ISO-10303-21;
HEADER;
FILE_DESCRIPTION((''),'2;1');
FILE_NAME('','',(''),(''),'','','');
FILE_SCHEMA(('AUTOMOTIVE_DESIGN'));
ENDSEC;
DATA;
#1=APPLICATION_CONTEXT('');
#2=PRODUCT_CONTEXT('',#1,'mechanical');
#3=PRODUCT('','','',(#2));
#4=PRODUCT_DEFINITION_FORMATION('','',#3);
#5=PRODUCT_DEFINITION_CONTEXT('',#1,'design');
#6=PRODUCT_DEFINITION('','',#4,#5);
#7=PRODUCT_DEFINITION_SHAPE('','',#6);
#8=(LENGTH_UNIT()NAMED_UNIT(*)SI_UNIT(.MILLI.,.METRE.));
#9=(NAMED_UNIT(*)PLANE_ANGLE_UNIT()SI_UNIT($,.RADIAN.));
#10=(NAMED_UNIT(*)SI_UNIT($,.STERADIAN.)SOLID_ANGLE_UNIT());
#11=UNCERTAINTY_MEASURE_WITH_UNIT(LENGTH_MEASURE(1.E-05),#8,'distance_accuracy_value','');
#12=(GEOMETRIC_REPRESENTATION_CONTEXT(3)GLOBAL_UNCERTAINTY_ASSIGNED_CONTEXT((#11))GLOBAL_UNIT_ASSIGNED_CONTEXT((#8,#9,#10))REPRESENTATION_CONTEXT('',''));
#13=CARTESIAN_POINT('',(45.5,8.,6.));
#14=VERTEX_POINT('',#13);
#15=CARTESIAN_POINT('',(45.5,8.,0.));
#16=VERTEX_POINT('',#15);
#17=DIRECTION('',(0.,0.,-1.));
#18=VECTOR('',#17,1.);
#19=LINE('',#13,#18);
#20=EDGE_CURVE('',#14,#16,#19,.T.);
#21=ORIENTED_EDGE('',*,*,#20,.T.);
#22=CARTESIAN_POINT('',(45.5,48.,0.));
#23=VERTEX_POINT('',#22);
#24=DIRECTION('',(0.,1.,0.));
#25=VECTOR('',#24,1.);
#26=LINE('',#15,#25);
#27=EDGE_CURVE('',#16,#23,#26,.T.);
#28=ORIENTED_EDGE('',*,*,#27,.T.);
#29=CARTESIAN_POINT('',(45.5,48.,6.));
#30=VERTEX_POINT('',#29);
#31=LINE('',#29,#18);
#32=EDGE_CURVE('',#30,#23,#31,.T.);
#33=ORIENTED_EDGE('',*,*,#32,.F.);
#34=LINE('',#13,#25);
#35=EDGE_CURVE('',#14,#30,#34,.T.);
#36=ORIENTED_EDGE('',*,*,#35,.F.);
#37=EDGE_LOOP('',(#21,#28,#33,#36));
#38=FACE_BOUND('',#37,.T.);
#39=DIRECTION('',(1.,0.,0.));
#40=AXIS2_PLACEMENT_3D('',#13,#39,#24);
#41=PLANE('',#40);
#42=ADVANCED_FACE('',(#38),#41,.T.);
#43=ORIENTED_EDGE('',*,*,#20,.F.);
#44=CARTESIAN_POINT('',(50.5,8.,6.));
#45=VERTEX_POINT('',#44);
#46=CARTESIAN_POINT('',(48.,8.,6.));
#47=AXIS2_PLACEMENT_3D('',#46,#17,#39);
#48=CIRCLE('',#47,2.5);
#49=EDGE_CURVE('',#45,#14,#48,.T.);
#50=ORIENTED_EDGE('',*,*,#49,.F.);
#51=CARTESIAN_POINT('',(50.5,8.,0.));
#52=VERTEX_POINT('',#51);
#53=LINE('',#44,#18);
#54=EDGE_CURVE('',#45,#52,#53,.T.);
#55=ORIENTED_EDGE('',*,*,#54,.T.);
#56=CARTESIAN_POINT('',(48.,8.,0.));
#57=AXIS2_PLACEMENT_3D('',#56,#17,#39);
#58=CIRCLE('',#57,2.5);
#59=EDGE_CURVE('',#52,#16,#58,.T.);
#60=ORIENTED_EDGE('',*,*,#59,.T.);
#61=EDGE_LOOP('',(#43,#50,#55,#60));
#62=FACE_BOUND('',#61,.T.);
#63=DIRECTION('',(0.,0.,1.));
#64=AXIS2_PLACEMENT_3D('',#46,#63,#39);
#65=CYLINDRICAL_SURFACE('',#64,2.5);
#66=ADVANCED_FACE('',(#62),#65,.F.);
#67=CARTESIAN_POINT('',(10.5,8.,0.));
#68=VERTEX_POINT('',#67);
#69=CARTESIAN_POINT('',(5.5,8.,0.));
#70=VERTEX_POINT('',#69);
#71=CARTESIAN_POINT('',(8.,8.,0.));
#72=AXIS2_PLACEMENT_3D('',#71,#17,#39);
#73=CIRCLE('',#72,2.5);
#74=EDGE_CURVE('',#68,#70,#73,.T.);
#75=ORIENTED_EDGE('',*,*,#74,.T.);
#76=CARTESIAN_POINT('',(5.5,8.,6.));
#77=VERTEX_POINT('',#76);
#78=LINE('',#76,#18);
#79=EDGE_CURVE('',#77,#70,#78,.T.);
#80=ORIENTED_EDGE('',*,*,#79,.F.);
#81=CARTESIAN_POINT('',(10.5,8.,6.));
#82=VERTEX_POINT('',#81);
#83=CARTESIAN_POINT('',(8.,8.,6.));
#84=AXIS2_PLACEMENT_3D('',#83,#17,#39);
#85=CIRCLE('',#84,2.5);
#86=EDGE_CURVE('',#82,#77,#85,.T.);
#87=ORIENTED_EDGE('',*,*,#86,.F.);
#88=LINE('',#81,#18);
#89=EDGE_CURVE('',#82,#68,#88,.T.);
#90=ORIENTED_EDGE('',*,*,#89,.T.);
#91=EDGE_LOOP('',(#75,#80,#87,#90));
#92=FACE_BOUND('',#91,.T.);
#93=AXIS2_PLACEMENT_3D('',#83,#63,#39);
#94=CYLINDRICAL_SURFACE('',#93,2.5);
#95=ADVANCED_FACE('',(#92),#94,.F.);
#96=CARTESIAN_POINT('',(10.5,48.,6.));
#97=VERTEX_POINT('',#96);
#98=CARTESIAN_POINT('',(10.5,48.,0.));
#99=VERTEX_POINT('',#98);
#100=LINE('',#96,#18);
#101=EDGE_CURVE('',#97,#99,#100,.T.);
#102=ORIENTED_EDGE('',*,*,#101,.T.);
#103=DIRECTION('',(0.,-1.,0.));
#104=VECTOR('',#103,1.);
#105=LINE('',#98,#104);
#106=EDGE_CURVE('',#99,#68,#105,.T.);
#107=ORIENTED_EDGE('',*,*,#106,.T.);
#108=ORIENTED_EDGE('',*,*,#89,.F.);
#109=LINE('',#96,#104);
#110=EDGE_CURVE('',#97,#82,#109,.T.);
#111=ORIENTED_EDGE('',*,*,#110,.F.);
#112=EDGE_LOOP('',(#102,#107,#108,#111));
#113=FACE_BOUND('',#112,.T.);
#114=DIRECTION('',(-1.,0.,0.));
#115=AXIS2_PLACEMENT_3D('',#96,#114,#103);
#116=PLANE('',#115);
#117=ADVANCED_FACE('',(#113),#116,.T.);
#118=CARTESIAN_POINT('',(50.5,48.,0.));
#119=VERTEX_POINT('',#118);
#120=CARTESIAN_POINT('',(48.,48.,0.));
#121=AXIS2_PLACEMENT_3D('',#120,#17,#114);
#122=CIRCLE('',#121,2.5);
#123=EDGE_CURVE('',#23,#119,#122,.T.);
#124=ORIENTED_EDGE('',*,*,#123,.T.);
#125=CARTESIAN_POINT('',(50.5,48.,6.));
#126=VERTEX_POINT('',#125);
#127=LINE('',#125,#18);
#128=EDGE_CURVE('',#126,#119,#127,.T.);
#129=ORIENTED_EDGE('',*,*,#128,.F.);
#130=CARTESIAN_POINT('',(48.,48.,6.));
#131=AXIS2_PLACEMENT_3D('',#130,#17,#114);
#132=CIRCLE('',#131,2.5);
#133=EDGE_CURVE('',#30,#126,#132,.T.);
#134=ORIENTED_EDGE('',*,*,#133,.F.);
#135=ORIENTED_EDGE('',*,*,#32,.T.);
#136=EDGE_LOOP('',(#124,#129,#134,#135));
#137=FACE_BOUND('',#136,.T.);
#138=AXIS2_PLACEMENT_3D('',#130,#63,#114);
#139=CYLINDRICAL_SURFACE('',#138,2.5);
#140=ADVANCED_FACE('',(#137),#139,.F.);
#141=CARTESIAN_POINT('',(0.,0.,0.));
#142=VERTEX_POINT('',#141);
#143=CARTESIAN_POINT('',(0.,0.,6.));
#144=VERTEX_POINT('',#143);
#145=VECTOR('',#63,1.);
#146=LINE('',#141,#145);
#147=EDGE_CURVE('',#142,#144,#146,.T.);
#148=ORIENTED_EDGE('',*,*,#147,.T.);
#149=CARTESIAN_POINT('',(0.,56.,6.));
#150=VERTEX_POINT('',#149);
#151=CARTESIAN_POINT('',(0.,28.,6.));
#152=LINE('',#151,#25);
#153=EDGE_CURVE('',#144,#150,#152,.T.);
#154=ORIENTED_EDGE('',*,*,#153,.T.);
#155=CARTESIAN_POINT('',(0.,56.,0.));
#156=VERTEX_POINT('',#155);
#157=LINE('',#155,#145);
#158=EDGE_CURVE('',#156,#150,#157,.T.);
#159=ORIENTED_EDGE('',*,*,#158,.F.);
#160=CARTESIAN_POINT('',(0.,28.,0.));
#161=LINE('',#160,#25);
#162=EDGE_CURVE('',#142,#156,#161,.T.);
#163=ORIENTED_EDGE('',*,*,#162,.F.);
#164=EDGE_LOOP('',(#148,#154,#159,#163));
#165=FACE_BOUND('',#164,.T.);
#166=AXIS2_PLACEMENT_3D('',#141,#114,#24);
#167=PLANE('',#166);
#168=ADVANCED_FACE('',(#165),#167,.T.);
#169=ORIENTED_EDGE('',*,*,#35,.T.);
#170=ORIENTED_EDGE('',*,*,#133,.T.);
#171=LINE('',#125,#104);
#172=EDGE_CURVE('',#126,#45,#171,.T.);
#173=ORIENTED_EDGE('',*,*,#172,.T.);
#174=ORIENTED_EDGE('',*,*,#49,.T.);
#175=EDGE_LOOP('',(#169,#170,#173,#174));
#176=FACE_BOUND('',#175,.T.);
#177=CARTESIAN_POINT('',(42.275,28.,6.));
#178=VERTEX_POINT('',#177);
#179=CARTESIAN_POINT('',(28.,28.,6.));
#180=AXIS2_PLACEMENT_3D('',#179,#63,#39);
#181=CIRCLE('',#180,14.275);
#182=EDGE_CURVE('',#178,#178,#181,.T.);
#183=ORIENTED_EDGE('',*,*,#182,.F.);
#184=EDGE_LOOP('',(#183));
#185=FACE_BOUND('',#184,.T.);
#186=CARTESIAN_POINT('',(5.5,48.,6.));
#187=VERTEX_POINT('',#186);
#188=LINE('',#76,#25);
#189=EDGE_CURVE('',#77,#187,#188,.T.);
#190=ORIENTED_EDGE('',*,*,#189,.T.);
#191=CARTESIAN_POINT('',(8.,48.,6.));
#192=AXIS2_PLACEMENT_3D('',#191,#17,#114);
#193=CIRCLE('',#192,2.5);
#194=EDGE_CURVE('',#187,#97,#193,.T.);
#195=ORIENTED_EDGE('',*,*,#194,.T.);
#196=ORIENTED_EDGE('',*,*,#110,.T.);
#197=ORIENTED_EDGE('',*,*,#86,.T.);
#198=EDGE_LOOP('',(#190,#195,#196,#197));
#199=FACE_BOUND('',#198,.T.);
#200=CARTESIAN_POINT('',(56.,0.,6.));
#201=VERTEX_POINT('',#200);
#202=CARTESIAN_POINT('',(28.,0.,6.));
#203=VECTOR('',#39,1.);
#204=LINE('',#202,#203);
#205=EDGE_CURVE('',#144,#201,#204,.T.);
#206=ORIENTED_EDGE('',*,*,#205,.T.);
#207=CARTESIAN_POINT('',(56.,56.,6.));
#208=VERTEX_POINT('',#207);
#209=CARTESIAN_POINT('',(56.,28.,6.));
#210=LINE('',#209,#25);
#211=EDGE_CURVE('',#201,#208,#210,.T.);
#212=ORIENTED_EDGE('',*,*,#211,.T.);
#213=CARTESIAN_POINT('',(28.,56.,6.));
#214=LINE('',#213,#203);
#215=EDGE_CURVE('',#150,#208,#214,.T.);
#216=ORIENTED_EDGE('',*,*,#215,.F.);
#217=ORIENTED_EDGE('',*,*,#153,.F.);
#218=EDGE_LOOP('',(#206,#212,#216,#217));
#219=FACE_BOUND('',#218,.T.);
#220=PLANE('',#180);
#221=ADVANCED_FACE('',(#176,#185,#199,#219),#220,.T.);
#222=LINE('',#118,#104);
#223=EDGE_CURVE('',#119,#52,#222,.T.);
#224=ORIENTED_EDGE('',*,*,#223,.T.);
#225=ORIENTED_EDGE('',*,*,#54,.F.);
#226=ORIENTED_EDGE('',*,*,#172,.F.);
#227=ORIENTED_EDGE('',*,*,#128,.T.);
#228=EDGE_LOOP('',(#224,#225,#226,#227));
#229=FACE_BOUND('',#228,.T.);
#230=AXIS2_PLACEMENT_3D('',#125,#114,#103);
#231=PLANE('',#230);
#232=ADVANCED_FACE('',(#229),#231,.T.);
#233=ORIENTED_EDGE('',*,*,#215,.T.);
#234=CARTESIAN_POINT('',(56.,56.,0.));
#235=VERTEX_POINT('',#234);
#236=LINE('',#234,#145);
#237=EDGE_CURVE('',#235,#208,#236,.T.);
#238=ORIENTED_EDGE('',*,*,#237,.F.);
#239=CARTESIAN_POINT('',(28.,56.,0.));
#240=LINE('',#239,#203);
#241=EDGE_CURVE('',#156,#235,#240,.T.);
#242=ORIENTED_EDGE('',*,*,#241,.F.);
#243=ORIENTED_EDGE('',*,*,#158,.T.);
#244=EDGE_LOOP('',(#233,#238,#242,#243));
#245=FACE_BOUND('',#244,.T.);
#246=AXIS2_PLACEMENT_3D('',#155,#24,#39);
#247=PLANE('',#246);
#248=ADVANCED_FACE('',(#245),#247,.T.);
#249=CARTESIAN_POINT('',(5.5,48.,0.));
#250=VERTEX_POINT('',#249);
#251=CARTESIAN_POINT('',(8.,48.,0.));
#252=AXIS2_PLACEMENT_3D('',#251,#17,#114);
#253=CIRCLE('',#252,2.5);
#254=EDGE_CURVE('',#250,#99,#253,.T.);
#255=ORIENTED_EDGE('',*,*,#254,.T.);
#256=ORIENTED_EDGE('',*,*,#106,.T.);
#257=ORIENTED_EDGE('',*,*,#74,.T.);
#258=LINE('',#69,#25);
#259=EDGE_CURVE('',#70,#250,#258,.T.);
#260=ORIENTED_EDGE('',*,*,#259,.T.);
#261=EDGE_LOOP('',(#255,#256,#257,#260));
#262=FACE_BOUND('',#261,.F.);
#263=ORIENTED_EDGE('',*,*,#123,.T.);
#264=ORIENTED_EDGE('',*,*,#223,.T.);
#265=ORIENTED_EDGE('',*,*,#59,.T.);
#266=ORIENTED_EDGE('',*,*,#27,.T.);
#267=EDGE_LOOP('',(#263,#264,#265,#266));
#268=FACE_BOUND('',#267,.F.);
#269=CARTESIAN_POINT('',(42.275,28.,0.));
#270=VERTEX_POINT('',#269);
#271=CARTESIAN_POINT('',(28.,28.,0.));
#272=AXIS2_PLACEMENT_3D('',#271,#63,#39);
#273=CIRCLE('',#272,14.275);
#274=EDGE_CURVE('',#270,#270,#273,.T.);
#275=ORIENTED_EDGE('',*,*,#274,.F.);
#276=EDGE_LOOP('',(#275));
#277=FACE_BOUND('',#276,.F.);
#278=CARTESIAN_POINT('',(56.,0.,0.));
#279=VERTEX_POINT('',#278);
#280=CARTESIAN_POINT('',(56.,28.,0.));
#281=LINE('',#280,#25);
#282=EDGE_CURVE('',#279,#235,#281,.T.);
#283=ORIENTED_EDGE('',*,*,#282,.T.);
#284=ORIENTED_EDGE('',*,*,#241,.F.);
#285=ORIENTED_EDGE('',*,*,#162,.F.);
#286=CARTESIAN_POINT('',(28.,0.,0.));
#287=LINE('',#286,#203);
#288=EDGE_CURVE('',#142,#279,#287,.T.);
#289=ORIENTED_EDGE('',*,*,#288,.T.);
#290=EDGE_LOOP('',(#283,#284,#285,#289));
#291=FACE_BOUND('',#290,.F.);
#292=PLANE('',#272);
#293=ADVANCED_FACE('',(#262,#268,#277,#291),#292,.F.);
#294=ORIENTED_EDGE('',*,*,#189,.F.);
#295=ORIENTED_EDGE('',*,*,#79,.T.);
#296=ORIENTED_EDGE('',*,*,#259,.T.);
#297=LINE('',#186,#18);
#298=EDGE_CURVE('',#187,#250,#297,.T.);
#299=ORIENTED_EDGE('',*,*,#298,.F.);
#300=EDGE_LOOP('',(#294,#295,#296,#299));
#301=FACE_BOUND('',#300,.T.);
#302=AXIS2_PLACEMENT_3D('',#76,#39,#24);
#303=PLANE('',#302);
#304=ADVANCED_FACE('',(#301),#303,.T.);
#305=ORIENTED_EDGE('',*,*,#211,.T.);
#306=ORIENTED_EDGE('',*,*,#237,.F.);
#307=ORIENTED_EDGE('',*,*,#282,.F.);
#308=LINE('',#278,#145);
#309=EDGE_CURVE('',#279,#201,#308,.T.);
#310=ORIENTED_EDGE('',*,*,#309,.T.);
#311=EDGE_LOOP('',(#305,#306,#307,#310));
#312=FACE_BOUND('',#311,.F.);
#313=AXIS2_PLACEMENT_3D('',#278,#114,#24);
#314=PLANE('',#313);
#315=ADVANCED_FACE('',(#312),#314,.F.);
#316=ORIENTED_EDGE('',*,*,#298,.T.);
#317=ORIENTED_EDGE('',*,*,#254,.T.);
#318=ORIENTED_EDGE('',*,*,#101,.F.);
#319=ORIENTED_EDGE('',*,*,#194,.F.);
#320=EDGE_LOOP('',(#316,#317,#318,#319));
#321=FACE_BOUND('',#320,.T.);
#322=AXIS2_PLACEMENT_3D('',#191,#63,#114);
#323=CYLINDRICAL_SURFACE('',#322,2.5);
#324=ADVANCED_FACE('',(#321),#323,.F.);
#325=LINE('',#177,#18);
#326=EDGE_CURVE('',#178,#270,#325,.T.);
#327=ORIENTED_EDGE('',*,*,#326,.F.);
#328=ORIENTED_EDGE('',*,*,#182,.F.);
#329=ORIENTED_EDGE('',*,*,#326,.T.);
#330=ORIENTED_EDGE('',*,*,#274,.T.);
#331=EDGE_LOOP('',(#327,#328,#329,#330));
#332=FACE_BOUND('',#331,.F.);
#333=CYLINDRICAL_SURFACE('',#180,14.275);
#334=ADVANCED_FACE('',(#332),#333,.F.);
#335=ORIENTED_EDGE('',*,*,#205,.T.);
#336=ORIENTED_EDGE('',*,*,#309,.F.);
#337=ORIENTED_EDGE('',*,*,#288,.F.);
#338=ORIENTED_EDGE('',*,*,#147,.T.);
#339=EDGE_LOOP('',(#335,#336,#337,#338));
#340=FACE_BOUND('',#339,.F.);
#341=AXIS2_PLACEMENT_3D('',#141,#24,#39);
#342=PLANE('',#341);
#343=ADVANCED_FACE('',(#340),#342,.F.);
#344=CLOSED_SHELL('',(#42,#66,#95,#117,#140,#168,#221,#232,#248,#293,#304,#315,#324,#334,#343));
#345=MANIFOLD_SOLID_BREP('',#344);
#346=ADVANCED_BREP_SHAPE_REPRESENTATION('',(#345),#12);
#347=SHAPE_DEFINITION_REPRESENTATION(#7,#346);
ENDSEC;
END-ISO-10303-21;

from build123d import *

# Parameters (mm, degrees)
SKETCH1_W           = 56
SKETCH1_H           = 56
BOSS_EXTRUDE1_DEPTH = 6
SKETCH2_R           = 14.275
CUT_EXTRUDE1_DEPTH  = 6


with BuildPart() as part:
    # Sketch1 → Boss-Extrude1 (new body)
    with BuildSketch(Plane.XY):
        with Locations((28, 28)):
            Rectangle(SKETCH1_W, SKETCH1_H)
    extrude(amount=BOSS_EXTRUDE1_DEPTH)

    # Sketch2 → Cut-Extrude1 (cut)
    with BuildSketch(Plane.XY.offset(6)):
        with Locations((28, 28)):
            Circle(SKETCH2_R)
        with BuildLine():
            Line((10.5, 48), (10.5, 8))
            ThreePointArc((10.5, 8), (8, 5.5), (5.5, 8))
            Line((5.5, 8), (5.5, 48))
            ThreePointArc((5.5, 48), (8, 50.5), (10.5, 48))
        make_face()
        with BuildLine():
            Line((50.5, 48), (50.5, 8))
            ThreePointArc((50.5, 8), (48, 5.5), (45.5, 8))
            Line((45.5, 8), (45.5, 48))
            ThreePointArc((45.5, 48), (48, 50.5), (50.5, 48))
        make_face()
    extrude(amount=-CUT_EXTRUDE1_DEPTH, mode=Mode.SUBTRACT)


solid = part.part
